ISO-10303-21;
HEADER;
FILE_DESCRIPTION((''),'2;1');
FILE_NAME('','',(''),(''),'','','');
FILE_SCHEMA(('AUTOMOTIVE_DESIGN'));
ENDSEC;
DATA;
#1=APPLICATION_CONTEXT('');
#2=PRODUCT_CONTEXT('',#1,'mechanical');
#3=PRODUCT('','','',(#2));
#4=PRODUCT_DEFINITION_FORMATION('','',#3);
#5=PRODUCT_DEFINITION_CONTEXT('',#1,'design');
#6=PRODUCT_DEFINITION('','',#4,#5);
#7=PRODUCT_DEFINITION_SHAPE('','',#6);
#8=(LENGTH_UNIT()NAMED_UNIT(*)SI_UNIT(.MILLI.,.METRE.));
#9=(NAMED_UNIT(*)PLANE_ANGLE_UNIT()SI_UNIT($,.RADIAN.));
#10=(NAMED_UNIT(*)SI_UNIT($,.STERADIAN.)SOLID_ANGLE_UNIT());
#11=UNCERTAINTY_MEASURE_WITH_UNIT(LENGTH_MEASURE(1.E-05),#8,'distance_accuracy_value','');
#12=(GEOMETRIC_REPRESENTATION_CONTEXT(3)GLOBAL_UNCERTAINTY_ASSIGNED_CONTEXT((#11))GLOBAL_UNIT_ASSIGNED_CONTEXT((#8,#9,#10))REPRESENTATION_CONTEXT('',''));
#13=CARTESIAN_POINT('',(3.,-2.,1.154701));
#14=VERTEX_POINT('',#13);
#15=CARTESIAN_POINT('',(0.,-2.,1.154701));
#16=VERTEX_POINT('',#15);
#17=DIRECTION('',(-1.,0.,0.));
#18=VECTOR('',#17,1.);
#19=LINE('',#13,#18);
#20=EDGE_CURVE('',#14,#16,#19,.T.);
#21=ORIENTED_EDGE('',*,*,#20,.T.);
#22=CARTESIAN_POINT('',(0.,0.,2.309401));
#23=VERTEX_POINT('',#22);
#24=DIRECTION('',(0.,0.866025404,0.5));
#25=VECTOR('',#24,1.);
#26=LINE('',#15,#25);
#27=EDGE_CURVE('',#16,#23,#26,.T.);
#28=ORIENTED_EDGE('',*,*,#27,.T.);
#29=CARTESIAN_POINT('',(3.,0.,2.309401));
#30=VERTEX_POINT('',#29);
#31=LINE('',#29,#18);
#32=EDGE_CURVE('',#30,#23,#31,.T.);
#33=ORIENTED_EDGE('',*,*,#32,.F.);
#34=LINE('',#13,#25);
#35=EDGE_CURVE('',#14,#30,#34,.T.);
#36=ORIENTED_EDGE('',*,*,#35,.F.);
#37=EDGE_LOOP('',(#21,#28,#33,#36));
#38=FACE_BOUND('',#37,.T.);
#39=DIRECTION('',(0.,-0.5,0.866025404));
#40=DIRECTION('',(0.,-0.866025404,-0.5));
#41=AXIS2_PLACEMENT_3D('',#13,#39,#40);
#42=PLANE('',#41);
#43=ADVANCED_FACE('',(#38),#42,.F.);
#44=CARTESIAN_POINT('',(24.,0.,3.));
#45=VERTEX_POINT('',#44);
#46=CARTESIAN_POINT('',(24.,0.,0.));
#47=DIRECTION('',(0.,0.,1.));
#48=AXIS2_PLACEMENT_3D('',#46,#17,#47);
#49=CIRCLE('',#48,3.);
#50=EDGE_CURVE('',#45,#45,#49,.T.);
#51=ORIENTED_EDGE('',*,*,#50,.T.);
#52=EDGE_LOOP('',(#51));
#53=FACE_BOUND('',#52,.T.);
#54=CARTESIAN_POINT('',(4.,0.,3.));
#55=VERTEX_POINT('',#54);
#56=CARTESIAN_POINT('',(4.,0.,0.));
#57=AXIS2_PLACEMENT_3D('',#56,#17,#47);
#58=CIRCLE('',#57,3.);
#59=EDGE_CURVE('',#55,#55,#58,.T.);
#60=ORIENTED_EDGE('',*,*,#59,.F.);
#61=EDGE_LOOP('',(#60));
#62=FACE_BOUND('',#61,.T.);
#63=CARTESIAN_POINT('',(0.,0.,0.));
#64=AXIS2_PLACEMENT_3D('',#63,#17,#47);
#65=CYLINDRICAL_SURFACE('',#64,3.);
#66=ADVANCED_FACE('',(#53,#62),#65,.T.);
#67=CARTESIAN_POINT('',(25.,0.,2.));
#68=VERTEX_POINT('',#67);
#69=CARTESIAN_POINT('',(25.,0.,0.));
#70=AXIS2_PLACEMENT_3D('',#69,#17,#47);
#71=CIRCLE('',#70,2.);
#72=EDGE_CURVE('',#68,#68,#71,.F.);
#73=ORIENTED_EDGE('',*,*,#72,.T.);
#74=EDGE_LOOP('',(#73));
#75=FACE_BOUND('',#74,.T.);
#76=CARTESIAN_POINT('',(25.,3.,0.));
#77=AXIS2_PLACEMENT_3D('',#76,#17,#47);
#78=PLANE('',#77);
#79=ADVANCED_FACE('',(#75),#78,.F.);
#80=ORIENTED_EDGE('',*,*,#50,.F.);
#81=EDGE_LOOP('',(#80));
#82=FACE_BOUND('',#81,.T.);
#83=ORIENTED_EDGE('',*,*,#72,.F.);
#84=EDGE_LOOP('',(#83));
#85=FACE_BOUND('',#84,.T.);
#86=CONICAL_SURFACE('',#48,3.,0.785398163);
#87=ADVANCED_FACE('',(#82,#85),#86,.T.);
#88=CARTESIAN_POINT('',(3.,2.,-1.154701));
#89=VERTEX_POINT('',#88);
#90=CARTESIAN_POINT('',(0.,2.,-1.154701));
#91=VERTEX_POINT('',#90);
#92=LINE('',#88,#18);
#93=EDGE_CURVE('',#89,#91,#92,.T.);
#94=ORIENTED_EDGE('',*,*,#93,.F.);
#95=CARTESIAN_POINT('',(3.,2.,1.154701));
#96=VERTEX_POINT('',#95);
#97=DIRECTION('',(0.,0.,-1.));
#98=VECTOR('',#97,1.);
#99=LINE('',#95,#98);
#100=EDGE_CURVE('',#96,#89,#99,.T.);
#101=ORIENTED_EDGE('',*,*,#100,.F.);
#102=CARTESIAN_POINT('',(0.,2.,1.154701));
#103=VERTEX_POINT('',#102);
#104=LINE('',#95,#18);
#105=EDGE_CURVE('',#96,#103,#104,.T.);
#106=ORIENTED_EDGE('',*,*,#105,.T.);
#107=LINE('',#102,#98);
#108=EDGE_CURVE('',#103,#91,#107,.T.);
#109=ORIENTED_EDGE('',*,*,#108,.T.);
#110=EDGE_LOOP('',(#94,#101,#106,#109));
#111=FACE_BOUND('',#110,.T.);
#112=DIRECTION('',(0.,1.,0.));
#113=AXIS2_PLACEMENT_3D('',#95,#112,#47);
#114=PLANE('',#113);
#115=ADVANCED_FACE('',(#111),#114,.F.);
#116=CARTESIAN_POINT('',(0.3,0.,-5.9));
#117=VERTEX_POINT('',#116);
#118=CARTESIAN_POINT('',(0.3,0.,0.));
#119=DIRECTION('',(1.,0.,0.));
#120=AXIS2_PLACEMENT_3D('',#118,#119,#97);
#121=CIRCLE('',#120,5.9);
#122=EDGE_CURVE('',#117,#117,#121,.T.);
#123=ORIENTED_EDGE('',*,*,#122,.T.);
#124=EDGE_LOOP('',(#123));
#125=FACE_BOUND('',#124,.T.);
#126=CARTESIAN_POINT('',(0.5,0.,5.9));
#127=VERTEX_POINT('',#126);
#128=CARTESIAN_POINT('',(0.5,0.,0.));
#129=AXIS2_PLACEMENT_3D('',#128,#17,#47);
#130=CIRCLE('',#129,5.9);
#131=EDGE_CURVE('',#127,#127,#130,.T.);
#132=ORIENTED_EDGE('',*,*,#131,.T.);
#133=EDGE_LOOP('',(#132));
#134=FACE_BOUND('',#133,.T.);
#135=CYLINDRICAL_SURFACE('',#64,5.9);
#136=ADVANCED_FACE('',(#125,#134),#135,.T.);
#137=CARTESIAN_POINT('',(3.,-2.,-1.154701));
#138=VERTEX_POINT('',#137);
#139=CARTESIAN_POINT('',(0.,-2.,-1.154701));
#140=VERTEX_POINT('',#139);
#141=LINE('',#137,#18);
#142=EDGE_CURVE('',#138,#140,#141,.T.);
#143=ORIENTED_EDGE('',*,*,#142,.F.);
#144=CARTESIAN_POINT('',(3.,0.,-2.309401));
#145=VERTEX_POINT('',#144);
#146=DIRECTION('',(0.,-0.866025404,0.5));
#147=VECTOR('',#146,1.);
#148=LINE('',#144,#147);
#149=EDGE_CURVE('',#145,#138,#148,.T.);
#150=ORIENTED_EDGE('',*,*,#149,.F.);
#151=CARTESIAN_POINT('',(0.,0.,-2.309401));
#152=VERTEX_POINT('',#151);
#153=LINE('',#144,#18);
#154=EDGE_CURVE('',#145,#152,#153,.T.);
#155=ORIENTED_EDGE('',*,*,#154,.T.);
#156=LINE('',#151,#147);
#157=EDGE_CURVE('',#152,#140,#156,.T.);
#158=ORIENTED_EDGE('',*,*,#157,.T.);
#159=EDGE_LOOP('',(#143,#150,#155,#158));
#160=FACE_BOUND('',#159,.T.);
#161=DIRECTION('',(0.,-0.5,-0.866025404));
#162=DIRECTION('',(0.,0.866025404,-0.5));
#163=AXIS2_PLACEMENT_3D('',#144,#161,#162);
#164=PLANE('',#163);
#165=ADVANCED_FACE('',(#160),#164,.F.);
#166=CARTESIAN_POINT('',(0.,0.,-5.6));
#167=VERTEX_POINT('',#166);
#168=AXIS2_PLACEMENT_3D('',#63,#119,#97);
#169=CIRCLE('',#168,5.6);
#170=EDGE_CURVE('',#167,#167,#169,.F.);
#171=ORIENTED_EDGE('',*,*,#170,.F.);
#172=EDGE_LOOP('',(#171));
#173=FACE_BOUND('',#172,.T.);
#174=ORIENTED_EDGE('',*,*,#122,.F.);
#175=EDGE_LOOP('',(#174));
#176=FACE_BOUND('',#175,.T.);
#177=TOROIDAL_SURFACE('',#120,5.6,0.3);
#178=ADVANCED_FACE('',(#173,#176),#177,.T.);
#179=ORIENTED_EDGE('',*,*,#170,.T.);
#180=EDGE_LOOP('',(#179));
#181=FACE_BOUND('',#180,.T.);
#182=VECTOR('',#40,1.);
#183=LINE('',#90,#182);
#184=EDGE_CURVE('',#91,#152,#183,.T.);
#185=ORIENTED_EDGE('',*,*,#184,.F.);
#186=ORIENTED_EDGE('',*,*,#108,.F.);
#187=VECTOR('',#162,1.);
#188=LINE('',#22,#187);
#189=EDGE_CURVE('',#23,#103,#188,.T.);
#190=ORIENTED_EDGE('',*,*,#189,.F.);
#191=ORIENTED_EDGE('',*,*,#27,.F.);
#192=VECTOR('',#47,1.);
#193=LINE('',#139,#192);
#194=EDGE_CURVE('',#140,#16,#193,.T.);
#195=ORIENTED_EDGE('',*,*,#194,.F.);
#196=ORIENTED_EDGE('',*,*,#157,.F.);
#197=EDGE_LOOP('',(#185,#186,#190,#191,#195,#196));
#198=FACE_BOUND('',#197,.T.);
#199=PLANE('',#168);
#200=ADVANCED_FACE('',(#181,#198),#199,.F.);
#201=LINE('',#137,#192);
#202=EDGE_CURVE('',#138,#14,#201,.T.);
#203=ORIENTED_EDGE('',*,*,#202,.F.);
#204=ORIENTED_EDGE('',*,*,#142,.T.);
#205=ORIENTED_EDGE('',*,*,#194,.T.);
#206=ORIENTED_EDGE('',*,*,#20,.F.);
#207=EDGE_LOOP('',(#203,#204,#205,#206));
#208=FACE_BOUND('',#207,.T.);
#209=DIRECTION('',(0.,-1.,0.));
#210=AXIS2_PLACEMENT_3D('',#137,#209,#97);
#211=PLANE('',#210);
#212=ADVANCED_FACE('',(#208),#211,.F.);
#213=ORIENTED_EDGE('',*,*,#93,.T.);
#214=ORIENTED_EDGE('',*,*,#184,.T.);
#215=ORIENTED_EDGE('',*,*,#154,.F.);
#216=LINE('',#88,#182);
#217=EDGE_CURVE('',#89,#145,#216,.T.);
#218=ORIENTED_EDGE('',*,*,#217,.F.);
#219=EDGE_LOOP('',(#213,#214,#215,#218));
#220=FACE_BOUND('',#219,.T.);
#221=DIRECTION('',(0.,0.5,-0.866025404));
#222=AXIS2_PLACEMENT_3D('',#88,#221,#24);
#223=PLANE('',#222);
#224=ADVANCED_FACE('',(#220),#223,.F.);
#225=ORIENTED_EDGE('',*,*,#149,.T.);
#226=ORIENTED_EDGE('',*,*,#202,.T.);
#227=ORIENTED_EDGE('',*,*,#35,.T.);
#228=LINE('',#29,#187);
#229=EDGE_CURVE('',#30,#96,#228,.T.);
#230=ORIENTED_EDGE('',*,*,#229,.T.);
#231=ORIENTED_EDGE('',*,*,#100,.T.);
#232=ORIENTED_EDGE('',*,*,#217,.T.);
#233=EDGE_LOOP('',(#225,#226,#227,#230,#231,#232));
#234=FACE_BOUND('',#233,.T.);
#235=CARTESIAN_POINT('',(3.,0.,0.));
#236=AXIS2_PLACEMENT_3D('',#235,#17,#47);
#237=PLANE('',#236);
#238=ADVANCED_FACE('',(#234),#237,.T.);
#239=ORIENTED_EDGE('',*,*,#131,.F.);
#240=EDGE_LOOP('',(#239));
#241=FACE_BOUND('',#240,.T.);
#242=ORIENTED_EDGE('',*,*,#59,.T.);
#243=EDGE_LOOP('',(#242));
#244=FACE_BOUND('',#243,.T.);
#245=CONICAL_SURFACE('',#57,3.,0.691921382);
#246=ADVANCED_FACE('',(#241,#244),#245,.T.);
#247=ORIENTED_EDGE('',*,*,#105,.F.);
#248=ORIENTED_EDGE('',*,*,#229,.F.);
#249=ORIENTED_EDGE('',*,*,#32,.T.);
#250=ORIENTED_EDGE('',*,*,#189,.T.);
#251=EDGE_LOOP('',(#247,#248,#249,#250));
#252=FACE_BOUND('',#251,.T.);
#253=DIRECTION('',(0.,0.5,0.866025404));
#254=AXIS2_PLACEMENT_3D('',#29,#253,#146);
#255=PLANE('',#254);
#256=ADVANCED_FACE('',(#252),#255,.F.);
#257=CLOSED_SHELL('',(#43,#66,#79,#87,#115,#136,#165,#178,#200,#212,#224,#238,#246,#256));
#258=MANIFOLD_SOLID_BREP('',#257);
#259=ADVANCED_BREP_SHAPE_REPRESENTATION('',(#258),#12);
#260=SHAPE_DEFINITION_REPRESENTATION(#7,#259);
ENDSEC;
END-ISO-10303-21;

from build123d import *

# Parameters (mm, degrees)
CUT_EXTRUDE_1_DEPTH = 3
FILLET_1_R          = 0.3
CHAMFER_1_SIZE      = 1


with BuildPart() as part:
    # Эскиз1 → Повернуть1 (revolve)
    with BuildSketch(Plane.XY, mode=Mode.PRIVATE) as revolve_1_sk:
        Polygon((0, 0), (0, 5.9), (0.5, 5.9), (4, 3), (25, 3), (25, 0), align=None)
    revolve(revolve_1_sk.sketch.rotate(Axis((0, 0, 0), (1, 0, 0)), 90), axis=Axis((0, 0, 0), (1, 0, 0)))  # turned: the seam where the file's is

    # Эскиз2 → Вырез-Вытянуть1 (cut)
    with BuildSketch(Plane.ZY):
        Polygon((1.154700538, 2), (-1.154700538, 2), (-2.309401077, 0), (-1.154700538, -2), (1.154700538, -2), (2.309401077, 0), align=None)
    extrude(amount=-CUT_EXTRUDE_1_DEPTH, mode=Mode.SUBTRACT)

    # Скругление1
    fillet_1_edges = [part.edges().sort_by_distance(p)[0] for p in [
        (0, 0, -5.9),
    ]]
    fillet(fillet_1_edges, radius=FILLET_1_R)

    # Фаска1
    chamfer_1_edges = [part.edges().sort_by_distance(p)[0] for p in [
        (25, 0, -3),
    ]]
    chamfer(chamfer_1_edges, length=CHAMFER_1_SIZE)


solid = part.part
